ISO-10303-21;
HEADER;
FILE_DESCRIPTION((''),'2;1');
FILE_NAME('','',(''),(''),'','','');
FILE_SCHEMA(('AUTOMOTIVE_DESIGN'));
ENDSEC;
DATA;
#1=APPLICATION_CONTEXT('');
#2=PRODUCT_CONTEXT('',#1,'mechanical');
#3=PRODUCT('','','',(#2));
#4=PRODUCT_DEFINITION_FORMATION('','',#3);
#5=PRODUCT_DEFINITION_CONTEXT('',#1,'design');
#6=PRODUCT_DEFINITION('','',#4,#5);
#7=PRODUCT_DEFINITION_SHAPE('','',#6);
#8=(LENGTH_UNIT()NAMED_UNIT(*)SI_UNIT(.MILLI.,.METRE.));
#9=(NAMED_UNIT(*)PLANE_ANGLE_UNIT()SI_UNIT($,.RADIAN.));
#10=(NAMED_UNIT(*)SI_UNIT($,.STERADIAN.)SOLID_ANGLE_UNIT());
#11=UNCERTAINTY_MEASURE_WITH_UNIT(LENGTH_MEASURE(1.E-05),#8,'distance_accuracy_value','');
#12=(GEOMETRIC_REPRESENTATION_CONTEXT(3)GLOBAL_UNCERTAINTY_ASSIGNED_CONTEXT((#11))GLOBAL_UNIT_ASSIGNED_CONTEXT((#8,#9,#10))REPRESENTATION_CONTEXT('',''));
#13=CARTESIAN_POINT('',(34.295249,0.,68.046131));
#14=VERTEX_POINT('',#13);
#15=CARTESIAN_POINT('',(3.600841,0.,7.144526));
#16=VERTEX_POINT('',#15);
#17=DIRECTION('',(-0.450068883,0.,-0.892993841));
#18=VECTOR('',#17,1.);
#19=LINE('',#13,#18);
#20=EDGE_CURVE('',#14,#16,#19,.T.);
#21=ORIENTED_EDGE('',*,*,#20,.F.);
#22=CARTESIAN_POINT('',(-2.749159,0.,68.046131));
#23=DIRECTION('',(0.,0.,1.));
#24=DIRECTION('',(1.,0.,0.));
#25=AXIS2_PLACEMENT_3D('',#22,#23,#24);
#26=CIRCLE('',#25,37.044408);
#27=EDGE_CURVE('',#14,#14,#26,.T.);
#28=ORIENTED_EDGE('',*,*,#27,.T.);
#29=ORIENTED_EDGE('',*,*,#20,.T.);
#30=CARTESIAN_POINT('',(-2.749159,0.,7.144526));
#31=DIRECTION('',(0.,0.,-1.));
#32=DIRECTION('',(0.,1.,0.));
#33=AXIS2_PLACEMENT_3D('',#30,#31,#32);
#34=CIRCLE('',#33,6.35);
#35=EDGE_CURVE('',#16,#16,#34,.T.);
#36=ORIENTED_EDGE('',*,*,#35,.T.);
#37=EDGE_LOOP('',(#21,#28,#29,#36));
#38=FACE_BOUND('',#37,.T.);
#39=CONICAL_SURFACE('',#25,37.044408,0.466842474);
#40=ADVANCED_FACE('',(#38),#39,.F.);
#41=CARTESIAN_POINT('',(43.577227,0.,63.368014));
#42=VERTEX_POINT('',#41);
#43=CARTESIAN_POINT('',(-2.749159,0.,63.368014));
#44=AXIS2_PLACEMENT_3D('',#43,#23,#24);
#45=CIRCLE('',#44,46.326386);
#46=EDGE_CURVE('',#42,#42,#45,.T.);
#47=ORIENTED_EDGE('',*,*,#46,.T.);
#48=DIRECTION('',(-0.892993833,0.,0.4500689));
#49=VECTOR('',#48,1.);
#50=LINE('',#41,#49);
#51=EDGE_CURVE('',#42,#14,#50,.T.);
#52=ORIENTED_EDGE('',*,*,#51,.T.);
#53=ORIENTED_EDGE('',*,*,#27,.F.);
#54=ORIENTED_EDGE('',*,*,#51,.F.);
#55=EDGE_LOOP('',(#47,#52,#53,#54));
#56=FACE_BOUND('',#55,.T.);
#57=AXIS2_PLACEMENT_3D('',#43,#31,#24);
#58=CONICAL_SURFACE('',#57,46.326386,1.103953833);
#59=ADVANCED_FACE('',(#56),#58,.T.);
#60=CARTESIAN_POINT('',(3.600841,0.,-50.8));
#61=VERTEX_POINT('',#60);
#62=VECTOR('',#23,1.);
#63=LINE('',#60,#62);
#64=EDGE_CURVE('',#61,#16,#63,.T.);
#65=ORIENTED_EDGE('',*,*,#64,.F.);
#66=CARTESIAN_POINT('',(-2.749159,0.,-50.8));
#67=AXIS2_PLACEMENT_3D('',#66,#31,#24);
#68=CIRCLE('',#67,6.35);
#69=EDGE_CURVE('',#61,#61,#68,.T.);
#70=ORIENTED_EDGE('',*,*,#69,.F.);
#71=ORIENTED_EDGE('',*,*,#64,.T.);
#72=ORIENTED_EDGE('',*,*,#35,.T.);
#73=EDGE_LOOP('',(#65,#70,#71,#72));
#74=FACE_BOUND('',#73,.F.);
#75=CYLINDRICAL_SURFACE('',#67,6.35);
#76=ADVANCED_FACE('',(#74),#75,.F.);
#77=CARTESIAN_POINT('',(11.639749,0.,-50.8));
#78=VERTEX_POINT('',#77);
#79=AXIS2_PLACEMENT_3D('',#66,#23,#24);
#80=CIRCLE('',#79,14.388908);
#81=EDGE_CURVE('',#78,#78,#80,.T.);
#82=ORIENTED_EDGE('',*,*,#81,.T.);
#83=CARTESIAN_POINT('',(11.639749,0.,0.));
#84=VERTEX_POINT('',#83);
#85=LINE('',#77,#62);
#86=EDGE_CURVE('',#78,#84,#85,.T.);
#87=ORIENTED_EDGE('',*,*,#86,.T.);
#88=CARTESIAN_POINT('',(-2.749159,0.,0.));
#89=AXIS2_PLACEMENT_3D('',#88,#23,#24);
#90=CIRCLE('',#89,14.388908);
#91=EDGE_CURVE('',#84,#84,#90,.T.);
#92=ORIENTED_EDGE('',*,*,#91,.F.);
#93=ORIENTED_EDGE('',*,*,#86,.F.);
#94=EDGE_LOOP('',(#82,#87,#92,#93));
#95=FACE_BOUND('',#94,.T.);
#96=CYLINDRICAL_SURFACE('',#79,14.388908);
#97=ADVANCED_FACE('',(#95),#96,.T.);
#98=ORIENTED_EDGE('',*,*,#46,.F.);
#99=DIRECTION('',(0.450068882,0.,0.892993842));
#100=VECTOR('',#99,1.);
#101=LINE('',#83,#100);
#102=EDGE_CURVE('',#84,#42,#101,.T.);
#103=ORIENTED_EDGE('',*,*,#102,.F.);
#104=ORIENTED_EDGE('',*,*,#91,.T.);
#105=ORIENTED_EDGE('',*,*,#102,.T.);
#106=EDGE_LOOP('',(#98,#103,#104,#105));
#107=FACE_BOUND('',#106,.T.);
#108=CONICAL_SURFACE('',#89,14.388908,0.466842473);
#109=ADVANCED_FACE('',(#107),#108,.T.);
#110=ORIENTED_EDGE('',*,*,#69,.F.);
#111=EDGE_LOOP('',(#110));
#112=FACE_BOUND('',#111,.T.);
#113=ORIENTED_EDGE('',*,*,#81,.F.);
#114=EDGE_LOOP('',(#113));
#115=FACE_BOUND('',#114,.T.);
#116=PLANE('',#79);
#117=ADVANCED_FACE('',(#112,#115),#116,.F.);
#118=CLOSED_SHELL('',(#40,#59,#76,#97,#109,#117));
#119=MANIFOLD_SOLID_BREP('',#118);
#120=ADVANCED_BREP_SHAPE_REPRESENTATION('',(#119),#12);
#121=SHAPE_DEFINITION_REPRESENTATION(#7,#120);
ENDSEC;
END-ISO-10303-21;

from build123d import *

# Parameters (mm, degrees)
F2_R     = 6.35
F3_DEPTH = 72.644


with BuildPart() as f1:
    # F0 (on Front) → F1 (revolve)
    with BuildSketch(Plane.XZ):
        Polygon((11.639749, 0), (0, 0), (-2.749159, 0), (-2.749159, -50.8), (0, -50.8), (11.639749, -50.8), align=None)
        Polygon((34.295249, 68.046131), (0, 0), (11.639749, 0), (43.577227, 63.368014), align=None)
    revolve(axis=Axis((-2.749159, 0, -25.4), (0, 0, 1)))

    # F2 (on face) → F3 (cut)
    with BuildSketch(Plane(origin=(0, 0, -50.8), x_dir=(1, 0, 0), z_dir=(0, 0, -1))):
        with Locations((-2.749159, 0)):
            Circle(F2_R)
    extrude(amount=-F3_DEPTH, mode=Mode.SUBTRACT)


solid = f1.part
